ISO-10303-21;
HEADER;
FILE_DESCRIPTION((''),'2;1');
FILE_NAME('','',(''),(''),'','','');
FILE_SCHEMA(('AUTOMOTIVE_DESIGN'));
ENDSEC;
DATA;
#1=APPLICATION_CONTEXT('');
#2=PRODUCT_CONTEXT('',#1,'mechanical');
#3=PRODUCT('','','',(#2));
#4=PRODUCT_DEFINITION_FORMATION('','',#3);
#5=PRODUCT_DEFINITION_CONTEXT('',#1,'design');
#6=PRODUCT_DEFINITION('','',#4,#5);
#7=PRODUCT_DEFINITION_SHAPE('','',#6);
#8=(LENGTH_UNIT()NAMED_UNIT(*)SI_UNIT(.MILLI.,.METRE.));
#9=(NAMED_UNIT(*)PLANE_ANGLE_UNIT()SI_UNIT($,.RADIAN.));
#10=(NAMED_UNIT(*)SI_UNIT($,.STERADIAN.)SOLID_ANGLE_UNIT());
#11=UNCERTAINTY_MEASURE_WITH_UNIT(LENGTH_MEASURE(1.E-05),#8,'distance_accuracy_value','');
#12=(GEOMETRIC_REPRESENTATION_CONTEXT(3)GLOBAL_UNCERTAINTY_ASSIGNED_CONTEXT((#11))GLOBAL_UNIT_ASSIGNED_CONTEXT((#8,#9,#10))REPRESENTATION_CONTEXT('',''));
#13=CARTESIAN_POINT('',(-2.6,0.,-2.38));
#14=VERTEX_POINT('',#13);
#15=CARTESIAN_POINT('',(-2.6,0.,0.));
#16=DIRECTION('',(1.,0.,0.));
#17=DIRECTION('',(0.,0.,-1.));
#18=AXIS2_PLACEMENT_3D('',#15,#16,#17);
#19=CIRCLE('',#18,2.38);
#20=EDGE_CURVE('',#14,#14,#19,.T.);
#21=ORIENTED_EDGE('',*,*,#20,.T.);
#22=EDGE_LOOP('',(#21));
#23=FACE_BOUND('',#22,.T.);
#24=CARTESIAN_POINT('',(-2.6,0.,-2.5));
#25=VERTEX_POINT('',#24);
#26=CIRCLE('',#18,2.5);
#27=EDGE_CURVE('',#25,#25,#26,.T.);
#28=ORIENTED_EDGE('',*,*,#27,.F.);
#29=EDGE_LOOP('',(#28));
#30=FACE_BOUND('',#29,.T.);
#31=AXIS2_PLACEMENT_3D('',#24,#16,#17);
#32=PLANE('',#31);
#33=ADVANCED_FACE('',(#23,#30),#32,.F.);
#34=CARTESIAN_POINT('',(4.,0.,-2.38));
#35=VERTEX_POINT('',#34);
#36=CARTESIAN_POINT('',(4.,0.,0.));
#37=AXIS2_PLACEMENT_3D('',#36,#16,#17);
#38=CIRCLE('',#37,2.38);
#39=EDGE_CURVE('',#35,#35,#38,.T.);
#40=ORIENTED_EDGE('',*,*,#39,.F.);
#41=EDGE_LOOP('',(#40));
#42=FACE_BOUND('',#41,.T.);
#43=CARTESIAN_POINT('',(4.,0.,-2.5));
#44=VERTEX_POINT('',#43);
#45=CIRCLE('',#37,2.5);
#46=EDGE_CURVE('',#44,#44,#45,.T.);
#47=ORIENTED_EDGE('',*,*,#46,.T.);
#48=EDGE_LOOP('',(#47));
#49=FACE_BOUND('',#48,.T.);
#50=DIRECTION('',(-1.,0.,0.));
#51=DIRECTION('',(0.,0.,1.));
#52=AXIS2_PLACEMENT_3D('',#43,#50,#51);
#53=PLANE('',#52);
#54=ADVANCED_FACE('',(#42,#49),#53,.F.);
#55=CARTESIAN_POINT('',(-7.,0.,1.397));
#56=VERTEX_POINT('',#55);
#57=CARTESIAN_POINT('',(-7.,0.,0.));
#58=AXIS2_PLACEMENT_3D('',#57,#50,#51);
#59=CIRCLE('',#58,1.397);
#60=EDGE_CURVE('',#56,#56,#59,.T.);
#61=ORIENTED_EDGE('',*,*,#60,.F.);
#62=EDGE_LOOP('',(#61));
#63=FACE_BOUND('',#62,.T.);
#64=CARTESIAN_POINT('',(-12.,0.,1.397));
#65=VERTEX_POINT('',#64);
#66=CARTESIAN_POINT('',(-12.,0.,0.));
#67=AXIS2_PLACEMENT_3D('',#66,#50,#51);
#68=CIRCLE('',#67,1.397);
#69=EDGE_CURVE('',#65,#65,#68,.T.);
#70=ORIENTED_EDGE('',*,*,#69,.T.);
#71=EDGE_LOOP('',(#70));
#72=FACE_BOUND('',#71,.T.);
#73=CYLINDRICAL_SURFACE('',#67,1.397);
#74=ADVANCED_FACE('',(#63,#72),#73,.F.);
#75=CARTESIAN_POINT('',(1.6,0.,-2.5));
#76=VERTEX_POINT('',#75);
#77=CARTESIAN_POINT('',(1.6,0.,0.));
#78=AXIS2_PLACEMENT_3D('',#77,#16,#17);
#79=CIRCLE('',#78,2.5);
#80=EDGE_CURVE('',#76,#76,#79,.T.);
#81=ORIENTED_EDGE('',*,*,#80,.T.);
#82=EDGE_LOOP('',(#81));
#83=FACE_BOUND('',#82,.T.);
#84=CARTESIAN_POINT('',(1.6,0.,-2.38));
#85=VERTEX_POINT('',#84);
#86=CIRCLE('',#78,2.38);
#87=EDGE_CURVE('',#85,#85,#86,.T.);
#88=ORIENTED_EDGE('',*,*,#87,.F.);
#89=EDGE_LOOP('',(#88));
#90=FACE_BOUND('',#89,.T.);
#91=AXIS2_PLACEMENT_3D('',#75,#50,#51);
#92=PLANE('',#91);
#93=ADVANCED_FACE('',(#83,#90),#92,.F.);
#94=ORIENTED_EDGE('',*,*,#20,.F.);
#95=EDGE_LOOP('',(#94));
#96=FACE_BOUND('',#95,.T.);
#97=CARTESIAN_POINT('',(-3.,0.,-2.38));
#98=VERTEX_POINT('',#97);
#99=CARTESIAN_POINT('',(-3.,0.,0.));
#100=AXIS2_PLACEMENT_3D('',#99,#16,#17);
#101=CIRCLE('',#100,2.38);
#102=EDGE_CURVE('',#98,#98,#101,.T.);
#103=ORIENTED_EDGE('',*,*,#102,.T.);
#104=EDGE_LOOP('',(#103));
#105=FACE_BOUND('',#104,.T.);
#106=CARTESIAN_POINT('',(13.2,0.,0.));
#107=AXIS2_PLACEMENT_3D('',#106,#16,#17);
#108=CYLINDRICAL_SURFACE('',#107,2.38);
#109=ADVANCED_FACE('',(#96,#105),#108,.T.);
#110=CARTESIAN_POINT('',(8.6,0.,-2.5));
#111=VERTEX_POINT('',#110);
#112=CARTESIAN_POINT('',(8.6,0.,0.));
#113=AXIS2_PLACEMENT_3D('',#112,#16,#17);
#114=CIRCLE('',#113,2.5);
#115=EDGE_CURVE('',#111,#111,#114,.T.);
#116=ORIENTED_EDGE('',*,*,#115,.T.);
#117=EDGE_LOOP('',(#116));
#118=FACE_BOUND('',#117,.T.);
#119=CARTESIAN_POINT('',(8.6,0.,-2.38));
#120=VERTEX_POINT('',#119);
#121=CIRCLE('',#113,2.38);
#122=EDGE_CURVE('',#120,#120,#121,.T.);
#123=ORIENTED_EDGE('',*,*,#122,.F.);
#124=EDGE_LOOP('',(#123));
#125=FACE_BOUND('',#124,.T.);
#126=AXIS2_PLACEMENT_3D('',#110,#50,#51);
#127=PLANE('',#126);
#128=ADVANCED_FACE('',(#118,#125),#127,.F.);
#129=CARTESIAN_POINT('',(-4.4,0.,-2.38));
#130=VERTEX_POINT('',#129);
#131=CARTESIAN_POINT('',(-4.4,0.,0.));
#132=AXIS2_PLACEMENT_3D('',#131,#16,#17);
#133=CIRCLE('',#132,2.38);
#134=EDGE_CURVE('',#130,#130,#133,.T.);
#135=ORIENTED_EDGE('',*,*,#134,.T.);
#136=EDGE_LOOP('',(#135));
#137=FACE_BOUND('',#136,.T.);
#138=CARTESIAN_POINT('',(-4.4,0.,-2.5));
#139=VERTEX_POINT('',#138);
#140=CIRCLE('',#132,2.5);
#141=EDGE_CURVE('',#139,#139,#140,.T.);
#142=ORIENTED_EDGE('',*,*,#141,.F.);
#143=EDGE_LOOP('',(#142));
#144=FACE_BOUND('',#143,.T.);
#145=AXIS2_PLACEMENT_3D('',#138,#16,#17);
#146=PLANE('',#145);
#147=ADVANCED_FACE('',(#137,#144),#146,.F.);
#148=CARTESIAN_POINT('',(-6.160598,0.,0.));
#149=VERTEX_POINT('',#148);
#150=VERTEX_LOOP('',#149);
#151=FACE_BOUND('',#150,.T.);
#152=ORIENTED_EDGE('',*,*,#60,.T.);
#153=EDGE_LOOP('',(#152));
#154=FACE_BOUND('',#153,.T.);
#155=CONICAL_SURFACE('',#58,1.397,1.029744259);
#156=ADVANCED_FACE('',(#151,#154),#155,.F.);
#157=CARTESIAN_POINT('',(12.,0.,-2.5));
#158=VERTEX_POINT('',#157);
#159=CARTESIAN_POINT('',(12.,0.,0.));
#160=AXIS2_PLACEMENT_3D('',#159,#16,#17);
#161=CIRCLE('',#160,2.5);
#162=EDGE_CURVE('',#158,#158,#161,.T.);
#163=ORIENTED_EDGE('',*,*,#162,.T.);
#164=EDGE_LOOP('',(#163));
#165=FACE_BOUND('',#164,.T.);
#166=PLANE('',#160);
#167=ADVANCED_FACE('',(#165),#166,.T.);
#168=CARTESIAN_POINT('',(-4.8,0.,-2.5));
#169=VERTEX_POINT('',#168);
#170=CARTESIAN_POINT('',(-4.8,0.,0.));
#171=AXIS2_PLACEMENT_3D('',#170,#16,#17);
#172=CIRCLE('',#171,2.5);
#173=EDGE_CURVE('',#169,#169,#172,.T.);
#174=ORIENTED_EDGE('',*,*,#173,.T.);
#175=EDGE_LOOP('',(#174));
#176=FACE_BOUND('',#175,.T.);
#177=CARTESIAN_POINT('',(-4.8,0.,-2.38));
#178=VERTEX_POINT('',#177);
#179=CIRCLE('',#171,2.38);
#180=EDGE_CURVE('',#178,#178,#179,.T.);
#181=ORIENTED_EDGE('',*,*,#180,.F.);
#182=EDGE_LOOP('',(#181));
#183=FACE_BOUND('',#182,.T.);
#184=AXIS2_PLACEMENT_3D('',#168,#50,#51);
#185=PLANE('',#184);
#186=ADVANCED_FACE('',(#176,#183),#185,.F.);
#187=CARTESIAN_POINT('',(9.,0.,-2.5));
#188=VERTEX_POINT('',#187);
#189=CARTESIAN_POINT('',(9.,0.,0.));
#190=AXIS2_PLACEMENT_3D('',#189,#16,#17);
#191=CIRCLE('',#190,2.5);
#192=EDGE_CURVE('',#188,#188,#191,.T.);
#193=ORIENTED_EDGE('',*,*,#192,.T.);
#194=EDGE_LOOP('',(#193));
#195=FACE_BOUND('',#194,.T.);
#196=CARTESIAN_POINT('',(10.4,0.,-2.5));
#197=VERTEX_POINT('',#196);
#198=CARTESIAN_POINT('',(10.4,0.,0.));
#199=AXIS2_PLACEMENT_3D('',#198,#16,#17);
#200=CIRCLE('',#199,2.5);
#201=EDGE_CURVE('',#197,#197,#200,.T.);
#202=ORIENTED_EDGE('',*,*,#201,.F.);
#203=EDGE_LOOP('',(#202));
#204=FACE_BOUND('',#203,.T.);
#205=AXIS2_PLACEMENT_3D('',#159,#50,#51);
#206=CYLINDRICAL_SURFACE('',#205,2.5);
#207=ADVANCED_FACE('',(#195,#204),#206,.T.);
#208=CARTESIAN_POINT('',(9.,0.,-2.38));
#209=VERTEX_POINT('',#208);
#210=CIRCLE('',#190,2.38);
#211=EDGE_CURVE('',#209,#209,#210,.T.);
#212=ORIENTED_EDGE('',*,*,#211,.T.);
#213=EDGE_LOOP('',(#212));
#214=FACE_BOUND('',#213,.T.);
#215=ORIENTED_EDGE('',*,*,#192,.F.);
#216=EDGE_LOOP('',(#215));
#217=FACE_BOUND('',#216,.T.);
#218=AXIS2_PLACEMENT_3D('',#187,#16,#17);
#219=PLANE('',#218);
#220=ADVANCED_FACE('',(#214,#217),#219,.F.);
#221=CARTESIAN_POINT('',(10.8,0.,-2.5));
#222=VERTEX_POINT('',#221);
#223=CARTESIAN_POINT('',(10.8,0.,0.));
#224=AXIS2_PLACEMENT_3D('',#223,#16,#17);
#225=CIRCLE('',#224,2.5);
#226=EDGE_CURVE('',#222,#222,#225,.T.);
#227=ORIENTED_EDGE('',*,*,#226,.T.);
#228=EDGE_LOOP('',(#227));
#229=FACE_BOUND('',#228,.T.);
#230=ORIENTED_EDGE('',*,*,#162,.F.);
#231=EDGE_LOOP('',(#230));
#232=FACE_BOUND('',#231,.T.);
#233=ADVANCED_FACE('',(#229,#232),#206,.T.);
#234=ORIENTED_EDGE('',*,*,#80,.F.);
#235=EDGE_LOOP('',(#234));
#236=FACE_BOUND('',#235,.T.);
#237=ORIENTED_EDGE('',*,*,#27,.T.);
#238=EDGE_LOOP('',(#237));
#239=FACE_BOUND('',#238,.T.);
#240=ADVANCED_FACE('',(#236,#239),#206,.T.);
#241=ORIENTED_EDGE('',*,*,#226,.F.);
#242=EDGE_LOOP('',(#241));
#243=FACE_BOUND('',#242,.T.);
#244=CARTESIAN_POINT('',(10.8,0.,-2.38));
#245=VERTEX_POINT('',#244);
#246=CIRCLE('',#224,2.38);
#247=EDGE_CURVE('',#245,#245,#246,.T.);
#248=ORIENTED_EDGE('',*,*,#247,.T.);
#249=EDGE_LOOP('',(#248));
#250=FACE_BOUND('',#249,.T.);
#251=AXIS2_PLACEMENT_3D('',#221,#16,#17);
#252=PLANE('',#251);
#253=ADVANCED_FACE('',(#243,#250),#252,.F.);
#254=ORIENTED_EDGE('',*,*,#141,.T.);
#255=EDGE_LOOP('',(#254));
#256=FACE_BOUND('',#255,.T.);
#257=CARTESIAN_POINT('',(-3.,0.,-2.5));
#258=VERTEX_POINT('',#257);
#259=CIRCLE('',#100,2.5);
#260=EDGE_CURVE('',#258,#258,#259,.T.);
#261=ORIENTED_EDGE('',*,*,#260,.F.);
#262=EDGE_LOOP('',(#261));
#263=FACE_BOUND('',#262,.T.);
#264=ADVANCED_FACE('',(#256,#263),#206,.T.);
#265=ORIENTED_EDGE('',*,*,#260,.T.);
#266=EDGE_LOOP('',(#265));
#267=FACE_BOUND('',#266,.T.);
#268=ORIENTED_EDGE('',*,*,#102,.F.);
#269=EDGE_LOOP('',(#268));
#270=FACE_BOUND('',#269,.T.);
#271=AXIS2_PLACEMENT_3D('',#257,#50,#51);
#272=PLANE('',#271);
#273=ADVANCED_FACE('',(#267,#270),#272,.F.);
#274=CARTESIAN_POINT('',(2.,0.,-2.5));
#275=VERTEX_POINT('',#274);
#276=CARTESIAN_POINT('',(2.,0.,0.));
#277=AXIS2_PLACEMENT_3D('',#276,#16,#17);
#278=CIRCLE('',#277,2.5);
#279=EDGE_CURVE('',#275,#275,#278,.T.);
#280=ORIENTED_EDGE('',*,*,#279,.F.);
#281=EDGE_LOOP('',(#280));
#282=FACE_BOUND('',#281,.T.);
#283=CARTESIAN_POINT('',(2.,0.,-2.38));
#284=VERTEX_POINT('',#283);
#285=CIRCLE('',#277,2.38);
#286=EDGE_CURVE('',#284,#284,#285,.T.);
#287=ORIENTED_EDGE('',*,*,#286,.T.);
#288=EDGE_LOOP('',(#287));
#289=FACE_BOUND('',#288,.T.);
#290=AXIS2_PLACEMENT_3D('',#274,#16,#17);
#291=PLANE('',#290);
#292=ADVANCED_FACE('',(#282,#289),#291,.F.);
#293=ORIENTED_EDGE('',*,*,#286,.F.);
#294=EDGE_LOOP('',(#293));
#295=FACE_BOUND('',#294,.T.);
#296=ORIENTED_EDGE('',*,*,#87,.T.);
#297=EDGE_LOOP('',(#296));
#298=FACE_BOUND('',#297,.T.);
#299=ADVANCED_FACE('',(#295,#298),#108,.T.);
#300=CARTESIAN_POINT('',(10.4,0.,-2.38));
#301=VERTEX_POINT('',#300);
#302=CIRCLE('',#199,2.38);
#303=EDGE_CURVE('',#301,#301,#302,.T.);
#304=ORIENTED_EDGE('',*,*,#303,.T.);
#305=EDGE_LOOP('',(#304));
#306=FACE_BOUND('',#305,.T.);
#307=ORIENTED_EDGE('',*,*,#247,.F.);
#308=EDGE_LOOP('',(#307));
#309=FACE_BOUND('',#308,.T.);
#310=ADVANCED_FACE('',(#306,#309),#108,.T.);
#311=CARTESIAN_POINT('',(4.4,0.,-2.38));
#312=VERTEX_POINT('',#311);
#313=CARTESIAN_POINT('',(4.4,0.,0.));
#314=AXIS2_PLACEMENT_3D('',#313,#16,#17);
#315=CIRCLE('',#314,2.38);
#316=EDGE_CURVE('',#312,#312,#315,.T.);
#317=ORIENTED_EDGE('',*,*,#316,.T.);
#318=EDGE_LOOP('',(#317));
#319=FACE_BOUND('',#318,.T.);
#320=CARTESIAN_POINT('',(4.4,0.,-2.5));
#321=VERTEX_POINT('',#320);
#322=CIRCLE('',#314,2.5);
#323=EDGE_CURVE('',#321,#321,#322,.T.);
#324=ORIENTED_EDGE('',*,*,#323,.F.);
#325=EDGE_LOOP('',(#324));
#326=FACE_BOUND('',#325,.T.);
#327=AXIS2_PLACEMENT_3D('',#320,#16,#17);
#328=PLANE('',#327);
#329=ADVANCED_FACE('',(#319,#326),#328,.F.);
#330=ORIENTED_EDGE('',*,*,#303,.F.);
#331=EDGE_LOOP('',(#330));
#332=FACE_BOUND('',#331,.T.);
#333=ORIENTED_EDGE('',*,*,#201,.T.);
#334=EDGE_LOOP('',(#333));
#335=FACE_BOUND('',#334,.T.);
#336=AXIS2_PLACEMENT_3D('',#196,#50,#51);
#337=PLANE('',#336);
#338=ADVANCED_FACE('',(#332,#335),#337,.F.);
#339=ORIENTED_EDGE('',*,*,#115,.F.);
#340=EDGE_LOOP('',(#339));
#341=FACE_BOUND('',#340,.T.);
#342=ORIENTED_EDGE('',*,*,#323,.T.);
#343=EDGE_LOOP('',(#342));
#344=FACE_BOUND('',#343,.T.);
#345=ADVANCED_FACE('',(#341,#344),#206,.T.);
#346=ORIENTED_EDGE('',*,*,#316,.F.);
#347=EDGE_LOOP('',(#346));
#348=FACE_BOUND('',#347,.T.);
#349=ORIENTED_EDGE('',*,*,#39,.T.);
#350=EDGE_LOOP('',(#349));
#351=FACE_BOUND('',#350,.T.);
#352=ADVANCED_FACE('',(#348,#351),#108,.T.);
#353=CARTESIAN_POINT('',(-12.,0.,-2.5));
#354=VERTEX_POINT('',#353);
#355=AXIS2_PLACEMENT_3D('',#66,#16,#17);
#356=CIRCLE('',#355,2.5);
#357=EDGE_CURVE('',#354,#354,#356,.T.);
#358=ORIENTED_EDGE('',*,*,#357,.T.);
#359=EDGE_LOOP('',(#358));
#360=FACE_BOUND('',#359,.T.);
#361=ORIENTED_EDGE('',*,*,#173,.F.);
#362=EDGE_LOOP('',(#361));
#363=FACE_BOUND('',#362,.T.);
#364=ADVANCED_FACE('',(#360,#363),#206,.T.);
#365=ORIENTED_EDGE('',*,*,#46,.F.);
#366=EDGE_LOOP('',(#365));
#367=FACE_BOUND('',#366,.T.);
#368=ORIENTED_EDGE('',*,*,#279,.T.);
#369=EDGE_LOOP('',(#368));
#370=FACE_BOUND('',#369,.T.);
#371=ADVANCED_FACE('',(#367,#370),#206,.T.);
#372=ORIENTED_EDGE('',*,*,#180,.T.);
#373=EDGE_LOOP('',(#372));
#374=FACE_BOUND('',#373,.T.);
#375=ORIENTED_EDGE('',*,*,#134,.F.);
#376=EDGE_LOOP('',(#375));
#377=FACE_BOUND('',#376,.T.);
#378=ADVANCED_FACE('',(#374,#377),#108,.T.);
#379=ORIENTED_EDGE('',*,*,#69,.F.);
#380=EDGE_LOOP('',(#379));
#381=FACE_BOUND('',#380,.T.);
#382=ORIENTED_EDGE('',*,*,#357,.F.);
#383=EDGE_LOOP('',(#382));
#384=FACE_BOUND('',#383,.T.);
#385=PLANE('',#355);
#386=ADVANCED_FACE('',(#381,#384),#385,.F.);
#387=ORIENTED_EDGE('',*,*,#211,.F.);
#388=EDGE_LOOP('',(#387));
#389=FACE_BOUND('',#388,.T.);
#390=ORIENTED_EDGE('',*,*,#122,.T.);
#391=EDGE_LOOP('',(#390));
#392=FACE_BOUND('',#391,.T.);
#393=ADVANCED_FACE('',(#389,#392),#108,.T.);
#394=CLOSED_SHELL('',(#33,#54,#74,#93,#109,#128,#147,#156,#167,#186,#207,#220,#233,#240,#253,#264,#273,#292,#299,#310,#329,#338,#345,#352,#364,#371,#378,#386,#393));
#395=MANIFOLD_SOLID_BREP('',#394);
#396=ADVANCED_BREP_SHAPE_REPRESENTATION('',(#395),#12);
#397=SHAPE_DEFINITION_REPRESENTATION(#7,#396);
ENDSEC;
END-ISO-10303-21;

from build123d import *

# Parameters (mm, degrees)
SKETCH1_R                 = 2.5
BOSS_EXTRUDE1_DEPTH       = 12
F_3_CLEARANCE_HOLE1_D     = 2.794
F_3_CLEARANCE_HOLE1_DEPTH = 5
F_3_CLEARANCE_HOLE1_TIP   = 0.839402285
SKETCH4_W                 = 0.4
SKETCH4_H                 = 0.12


with BuildPart() as part:
    # Sketch1 → Boss-Extrude1 (new, symmetric)
    with BuildSketch(Plane(origin=(0, 0, 0), x_dir=(0, 0, -1), z_dir=(1, 0, 0))):
        Circle(SKETCH1_R)
    extrude(amount=BOSS_EXTRUDE1_DEPTH, both=True)

    # #3 Clearance Hole1
    with Locations(Plane.ZY.offset(12)):
        with Locations((0, 0)):
            Hole(F_3_CLEARANCE_HOLE1_D / 2, depth=F_3_CLEARANCE_HOLE1_DEPTH)
            with Locations((0, 0, -(F_3_CLEARANCE_HOLE1_DEPTH + F_3_CLEARANCE_HOLE1_TIP / 2))):  # 118° drill point
                Cone(0, F_3_CLEARANCE_HOLE1_D / 2, F_3_CLEARANCE_HOLE1_TIP, mode=Mode.SUBTRACT)

    # Sketch4 → Cut-Revolve1 (revolve, cut)
    with BuildSketch(Plane(origin=(0, 0, 0), x_dir=(1, 0, 0), z_dir=(0, 1, 0))):
        with Locations((10.6, 2.44)):
            Rectangle(SKETCH4_W, SKETCH4_H)
        with Locations((8.8, 2.44)):
            Rectangle(SKETCH4_W, SKETCH4_H)
        with Locations((-2.8, 2.44)):
            Rectangle(SKETCH4_W, SKETCH4_H)
        with Locations((-4.6, 2.44)):
            Rectangle(SKETCH4_W, SKETCH4_H)
        with Locations((1.8, 2.44)):
            Rectangle(SKETCH4_W, SKETCH4_H)
        with Locations((4.2, 2.44)):
            Rectangle(SKETCH4_W, SKETCH4_H)
    revolve(axis=Axis((13.2, 0, 0), (-1, 0, 0)), mode=Mode.SUBTRACT)


solid = part.part
